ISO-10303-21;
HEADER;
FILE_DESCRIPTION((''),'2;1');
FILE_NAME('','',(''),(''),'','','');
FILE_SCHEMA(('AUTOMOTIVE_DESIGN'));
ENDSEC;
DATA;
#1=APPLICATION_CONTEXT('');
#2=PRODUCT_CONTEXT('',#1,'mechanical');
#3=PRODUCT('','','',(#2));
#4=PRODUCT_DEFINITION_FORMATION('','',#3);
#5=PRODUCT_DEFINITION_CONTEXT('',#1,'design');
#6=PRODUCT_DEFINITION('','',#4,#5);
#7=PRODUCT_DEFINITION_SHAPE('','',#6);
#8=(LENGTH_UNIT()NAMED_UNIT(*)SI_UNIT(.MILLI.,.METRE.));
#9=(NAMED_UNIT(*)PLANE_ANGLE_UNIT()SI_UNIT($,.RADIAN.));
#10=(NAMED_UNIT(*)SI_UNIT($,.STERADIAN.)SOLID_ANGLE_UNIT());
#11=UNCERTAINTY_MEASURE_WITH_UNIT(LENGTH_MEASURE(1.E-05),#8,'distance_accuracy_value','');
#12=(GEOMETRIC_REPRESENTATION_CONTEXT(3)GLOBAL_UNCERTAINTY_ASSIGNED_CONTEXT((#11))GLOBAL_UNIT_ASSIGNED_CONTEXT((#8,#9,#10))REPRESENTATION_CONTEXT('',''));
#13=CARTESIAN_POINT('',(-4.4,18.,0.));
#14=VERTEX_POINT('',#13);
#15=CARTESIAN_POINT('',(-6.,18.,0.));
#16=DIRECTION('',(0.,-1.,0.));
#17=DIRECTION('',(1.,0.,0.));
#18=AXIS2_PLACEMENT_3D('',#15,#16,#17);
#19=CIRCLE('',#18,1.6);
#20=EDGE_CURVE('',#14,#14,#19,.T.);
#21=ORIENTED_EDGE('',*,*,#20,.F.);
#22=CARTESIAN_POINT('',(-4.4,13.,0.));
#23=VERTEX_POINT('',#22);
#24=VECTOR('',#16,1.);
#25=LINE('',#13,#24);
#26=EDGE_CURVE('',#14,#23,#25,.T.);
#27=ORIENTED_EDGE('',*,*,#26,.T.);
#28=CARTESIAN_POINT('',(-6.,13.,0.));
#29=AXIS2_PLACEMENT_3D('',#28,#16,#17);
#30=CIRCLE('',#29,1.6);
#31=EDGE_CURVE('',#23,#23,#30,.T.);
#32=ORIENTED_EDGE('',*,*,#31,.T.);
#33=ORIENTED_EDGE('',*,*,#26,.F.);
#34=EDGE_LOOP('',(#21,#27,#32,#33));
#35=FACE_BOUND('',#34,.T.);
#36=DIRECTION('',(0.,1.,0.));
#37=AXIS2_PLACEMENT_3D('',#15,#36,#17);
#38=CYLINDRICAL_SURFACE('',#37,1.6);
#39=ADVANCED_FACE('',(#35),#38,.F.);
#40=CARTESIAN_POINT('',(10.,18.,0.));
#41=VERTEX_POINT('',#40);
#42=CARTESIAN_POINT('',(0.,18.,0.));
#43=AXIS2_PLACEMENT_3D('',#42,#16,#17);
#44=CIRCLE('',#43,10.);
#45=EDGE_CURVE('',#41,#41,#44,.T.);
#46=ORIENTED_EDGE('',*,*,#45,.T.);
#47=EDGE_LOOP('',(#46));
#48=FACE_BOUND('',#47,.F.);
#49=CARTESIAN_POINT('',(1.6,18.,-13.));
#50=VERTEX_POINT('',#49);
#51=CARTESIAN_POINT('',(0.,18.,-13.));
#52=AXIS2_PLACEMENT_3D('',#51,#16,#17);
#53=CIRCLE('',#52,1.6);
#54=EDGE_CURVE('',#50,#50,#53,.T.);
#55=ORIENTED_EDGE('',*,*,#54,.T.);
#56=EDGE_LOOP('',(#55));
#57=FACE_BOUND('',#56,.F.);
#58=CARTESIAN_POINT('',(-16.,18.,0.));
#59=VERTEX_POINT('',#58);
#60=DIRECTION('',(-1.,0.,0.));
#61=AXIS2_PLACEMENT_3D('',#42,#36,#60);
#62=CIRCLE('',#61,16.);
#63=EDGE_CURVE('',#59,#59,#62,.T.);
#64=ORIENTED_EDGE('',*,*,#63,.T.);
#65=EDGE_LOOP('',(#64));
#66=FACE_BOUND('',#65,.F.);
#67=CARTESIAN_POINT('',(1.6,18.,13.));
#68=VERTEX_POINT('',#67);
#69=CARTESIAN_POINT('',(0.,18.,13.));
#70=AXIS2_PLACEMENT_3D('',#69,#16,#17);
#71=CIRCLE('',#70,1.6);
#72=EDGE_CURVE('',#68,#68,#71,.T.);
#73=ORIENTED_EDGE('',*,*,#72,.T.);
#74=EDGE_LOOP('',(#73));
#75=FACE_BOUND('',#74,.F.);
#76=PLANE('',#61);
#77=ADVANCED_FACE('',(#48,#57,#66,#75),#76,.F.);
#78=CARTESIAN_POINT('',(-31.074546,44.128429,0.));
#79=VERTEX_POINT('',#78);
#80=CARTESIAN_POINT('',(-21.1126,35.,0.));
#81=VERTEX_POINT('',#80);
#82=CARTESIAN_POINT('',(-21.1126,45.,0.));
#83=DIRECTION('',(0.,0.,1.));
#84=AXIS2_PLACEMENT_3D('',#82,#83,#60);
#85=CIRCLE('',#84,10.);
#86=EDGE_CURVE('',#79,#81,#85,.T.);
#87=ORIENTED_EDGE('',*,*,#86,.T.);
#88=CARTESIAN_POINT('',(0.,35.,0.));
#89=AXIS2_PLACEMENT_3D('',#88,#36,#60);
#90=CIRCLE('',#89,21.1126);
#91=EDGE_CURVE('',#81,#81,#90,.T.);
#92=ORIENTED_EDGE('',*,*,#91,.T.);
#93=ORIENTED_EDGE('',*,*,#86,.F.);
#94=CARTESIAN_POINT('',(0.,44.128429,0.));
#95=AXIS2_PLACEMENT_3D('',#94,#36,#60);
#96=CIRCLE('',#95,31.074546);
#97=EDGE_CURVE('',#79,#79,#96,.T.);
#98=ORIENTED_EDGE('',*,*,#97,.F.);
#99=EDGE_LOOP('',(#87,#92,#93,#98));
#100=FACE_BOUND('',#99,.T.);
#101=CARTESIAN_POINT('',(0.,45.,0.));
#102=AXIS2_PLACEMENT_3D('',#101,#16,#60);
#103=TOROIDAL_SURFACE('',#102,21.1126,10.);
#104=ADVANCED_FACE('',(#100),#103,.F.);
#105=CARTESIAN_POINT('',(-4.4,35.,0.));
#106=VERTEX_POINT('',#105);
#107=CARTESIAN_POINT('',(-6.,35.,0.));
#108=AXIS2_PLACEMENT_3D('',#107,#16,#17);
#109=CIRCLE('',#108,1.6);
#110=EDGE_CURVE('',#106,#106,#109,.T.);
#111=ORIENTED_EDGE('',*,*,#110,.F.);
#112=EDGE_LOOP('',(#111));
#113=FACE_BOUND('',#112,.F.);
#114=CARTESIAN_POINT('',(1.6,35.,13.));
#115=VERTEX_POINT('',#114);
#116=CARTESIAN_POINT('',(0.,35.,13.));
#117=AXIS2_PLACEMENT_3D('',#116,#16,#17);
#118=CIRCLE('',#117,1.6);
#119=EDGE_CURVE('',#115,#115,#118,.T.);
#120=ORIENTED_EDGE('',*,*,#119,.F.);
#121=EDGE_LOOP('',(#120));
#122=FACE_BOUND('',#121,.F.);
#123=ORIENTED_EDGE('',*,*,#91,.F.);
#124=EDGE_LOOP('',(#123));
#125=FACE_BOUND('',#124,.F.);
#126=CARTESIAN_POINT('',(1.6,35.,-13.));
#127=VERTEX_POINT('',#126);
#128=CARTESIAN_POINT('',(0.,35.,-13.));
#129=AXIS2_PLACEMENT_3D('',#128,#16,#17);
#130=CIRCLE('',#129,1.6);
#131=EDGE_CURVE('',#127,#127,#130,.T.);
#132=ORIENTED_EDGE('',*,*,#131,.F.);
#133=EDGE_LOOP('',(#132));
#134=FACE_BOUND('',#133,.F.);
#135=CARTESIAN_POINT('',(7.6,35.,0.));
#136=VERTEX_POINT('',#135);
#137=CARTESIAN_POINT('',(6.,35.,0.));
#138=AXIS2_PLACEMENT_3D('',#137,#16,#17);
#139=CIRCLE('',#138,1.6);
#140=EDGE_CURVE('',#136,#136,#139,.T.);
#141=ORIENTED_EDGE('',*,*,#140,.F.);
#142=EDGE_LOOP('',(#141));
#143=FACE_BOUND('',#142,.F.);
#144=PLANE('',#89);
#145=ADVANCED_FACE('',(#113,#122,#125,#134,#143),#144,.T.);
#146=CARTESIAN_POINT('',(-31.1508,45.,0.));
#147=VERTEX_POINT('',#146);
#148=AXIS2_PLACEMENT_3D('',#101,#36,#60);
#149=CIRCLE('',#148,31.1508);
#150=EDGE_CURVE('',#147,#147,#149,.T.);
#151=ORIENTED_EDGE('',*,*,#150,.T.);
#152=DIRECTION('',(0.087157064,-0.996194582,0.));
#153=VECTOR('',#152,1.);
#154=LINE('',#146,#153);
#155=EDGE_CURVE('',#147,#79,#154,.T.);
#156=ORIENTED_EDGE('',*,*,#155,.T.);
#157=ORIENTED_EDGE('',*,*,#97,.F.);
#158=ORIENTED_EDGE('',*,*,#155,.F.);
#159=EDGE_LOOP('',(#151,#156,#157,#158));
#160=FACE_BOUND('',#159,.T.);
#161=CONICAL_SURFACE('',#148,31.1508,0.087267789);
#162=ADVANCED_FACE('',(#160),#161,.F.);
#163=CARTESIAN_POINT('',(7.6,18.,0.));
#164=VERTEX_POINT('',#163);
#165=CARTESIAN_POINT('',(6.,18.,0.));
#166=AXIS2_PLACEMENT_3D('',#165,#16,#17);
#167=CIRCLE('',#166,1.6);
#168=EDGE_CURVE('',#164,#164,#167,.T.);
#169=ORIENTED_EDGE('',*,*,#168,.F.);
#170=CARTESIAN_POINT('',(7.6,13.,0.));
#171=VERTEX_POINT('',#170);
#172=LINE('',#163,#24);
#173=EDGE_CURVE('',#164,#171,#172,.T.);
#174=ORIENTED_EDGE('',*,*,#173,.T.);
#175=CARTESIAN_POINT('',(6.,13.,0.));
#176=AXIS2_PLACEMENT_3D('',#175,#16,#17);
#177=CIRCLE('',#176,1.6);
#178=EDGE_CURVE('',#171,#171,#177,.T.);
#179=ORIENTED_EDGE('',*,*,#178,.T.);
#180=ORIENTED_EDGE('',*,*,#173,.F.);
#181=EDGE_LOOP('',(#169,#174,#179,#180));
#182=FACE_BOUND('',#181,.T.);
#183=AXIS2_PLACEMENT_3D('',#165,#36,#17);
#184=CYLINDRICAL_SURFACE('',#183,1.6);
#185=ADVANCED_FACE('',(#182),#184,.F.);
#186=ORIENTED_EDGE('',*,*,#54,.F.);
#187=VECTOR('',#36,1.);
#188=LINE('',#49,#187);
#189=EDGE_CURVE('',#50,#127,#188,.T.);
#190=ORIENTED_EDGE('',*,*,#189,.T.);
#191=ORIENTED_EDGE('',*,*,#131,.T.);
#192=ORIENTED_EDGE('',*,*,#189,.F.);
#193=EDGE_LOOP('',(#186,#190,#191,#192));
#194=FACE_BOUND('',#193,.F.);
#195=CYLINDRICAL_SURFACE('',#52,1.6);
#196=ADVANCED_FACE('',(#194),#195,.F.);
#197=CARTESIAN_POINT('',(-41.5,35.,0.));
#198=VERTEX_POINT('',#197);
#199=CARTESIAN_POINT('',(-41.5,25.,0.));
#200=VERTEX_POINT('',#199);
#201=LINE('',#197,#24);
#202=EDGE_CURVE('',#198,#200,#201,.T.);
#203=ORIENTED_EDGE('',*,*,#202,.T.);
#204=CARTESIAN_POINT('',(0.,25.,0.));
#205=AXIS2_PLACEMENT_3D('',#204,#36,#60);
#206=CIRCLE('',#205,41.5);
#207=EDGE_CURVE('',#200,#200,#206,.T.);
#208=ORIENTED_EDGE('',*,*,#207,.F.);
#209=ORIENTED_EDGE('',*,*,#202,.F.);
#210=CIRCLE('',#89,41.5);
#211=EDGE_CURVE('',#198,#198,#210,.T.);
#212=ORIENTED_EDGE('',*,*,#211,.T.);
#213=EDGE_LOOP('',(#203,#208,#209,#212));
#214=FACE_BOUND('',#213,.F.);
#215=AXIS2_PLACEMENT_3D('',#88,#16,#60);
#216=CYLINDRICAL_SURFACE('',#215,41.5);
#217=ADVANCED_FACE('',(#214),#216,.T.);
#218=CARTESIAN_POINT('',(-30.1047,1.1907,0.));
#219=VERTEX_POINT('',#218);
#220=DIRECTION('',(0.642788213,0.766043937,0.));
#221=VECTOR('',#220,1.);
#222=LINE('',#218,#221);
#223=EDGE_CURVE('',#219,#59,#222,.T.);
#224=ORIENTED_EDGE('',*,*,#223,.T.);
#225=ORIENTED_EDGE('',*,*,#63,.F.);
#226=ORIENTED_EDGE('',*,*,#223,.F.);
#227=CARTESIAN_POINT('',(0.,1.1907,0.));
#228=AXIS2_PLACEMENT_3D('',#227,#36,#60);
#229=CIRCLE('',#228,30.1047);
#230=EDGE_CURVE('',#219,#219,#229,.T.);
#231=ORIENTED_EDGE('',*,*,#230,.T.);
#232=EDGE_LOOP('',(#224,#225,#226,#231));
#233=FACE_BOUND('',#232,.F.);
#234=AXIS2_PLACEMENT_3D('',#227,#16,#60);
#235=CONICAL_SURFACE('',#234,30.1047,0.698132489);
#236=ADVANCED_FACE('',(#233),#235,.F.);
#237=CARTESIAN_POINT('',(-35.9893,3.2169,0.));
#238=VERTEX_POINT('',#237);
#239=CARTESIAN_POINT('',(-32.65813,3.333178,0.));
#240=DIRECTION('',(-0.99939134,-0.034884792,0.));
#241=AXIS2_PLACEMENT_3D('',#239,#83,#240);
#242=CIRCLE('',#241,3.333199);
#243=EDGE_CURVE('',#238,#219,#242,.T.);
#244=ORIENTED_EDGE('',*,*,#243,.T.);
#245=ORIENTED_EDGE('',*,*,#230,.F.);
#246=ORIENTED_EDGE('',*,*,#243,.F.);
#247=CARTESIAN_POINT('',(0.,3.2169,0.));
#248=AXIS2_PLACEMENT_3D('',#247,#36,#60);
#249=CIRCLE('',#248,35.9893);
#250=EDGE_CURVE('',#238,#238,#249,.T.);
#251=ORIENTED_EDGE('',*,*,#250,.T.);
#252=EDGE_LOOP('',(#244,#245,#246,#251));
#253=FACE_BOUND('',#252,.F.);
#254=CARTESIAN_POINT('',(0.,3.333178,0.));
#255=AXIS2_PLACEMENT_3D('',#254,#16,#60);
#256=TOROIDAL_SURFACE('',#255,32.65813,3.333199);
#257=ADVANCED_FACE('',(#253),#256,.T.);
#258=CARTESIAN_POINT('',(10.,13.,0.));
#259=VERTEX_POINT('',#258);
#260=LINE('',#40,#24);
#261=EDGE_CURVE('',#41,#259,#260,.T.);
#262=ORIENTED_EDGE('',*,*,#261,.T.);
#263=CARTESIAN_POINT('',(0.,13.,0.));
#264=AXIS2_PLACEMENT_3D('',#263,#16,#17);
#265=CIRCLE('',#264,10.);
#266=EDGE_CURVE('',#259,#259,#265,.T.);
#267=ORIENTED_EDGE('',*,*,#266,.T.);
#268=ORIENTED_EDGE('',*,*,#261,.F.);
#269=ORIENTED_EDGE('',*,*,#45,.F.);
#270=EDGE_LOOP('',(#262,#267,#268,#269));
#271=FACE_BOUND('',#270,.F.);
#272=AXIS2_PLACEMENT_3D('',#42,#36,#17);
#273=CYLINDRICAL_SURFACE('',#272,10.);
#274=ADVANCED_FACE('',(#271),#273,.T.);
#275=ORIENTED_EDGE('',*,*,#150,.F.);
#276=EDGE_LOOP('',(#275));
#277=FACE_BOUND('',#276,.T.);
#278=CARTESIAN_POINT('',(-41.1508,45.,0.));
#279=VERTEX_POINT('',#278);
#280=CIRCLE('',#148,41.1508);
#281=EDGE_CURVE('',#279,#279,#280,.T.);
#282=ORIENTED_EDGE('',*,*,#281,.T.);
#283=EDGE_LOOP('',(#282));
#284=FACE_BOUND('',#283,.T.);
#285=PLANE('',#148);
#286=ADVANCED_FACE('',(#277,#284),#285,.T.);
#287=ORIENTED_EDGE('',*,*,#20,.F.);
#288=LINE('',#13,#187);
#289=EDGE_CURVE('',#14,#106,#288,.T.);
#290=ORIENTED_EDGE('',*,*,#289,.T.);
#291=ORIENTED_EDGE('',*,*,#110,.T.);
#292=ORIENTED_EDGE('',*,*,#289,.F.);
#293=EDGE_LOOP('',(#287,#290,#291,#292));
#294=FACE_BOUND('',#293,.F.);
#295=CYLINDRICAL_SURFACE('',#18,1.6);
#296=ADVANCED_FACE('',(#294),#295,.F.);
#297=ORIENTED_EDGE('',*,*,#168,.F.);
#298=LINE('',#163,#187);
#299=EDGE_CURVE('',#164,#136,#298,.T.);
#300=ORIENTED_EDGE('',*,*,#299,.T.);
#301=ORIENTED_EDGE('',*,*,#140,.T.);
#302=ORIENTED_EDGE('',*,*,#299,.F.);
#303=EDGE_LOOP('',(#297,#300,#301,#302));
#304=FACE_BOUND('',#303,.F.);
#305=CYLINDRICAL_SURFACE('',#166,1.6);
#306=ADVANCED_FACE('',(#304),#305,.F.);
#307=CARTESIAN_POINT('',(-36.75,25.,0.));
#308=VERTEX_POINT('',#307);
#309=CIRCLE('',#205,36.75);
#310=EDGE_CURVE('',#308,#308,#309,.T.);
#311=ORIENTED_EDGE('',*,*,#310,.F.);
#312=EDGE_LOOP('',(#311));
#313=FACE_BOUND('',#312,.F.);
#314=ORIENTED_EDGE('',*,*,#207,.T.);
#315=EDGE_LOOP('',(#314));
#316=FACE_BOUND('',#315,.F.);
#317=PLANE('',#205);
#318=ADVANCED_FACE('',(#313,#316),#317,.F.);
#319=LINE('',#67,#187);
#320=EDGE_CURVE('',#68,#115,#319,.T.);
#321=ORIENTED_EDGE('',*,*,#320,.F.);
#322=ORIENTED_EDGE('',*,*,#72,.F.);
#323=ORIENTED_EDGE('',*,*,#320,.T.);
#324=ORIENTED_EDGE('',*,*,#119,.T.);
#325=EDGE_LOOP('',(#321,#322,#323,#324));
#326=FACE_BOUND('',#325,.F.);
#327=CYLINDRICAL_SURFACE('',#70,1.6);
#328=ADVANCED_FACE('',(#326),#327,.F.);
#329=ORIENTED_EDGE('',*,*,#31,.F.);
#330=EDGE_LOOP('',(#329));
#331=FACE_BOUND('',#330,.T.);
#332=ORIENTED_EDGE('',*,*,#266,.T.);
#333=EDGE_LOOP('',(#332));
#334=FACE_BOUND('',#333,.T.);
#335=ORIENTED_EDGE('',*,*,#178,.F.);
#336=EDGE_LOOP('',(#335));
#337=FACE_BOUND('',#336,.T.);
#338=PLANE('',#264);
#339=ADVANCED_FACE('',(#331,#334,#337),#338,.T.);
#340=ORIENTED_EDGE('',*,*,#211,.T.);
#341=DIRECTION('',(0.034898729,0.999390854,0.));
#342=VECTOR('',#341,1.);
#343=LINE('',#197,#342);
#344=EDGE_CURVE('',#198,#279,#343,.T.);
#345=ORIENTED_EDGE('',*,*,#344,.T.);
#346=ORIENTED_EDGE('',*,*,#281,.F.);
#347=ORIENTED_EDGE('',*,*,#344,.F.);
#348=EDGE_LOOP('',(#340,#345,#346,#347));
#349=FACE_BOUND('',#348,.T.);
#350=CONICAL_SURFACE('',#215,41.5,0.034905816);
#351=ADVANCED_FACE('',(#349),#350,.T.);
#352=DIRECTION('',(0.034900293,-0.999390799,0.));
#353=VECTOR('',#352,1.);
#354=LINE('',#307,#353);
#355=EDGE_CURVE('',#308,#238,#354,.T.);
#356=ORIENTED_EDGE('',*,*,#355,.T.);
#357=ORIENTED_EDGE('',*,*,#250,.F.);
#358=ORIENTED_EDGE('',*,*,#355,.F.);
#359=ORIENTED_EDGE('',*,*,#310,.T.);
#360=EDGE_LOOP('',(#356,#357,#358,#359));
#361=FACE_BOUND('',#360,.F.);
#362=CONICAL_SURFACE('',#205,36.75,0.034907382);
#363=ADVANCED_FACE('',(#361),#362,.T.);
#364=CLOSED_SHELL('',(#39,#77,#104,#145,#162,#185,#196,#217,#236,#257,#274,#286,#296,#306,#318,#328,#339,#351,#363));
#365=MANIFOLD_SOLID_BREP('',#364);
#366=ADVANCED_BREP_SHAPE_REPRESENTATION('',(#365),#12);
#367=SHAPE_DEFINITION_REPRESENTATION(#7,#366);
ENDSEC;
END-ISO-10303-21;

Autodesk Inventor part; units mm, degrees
ref_plane "YZ Plane" through (0, 0, 0) normal (1, 0, 0) x (0, 1, 0)
ref_plane "XZ Plane" through (0, 0, 0) normal (0, 1, 0) x (-1, 0, 0)
sketch "Sketch1" plane through (0, 0, 0) normal (0, 0, 1) x (1, 0, 0)
  arc A0 (-35.9893, 3.2169) -> (-30.1047, 1.1907) centre (-32.6581, 3.3332) ccw
  line L0 (-30.1047, 1.1907) -> (-16, 18)
  line L1 (-41.5, 35) -> (-41.5, 25)
  line L2 (-41.5, 25) -> (-36.75, 25)
  line L3 (0, 0) -> (0, 35) construction
  line L4 (0, 0) -> (-46.1303, 0) construction
  line L5 (-16, 18) -> (-16, 35)
  line L6 (-16, 35) -> (-41.5, 35)
  line L7 (-16, 18) -> (0, 18)
  line L8 (0, 18) -> (0, 35)
  line L9 (-16, 35) -> (0, 35)
  line L10 (-41.5, 35) -> (-41.1508, 45)
  line L11 (-41.1508, 45) -> (-31.1508, 45)
  line L12 (-31.1508, 45) -> (-30.2759, 35)
  line L13 (-36.75, 25) -> (-35.9893, 3.2169)
  dimension "d0" = 32
  dimension "d2" = 18
  dimension "d4" = 83
  dimension "d20" = 35
  dimension "d21" = 140
  dimension "d22" = 10
  dimension "d44" = 95
  dimension "d45" = 10
  dimension "d46" = 92
  dimension "d48" = 73.5
  dimension "d49" = 92
  dimension "d73" = 45
revolve "Revolution1" add sketch "Sketch1" angle 360 about axis through (0, 0, 0) along (0, 1, 0)
fillet "Fillet1" radius 10 1 edges at (30.2759, 35, 0)
sketch "Sketch3" plane through (0, 18, 0) normal (0, -1, 0) x (1, 0, 0)
  circle A0 centre (-6, 0) radius 1.6
  circle A1 centre (6, 0) radius 1.6
  circle A2 centre (0, 13) radius 1.6
  circle A3 centre (-11.2583, 6.5) radius 1.6
  circle A4 centre (-11.2583, -6.5) radius 1.6
  circle A5 centre (0, -13) radius 1.6
  circle A6 centre (11.2583, -6.5) radius 1.6
  circle A7 centre (11.2583, 6.5) radius 1.6
  point P0 (0, 0)
  dimension "d50" = 3.2
  dimension "d51" = 3.2
  dimension "d52" = 6
  dimension "d53" = 6
  dimension "d54" = 3.2
  dimension "d55" = 13
  dimension "d58" = 360
extrude "Extrusion1" cut sketch "Sketch3" against normal through all contours A0 | A1 | A2 | A5
sketch "Sketch4" plane through (0, 18, 0) normal (0, -1, 0) x (1, 0, 0)
  circle A0 centre (0, 0) radius 10
  circle A1 centre (-6, 0) radius 1.6 projected
  circle A2 centre (6, 0) radius 1.6 projected
  point P0 (0, 0)
  dimension "d62" = 20
extrude "Extrusion2" add sketch "Sketch4" along normal blind 5
ref_plane "Work Plane1" through (0, 30, -41.5) normal (0, 0, 1) x (1, 0, 0)
equation "\"d51\" = d50"
properties part number "020" material "Concrete"
